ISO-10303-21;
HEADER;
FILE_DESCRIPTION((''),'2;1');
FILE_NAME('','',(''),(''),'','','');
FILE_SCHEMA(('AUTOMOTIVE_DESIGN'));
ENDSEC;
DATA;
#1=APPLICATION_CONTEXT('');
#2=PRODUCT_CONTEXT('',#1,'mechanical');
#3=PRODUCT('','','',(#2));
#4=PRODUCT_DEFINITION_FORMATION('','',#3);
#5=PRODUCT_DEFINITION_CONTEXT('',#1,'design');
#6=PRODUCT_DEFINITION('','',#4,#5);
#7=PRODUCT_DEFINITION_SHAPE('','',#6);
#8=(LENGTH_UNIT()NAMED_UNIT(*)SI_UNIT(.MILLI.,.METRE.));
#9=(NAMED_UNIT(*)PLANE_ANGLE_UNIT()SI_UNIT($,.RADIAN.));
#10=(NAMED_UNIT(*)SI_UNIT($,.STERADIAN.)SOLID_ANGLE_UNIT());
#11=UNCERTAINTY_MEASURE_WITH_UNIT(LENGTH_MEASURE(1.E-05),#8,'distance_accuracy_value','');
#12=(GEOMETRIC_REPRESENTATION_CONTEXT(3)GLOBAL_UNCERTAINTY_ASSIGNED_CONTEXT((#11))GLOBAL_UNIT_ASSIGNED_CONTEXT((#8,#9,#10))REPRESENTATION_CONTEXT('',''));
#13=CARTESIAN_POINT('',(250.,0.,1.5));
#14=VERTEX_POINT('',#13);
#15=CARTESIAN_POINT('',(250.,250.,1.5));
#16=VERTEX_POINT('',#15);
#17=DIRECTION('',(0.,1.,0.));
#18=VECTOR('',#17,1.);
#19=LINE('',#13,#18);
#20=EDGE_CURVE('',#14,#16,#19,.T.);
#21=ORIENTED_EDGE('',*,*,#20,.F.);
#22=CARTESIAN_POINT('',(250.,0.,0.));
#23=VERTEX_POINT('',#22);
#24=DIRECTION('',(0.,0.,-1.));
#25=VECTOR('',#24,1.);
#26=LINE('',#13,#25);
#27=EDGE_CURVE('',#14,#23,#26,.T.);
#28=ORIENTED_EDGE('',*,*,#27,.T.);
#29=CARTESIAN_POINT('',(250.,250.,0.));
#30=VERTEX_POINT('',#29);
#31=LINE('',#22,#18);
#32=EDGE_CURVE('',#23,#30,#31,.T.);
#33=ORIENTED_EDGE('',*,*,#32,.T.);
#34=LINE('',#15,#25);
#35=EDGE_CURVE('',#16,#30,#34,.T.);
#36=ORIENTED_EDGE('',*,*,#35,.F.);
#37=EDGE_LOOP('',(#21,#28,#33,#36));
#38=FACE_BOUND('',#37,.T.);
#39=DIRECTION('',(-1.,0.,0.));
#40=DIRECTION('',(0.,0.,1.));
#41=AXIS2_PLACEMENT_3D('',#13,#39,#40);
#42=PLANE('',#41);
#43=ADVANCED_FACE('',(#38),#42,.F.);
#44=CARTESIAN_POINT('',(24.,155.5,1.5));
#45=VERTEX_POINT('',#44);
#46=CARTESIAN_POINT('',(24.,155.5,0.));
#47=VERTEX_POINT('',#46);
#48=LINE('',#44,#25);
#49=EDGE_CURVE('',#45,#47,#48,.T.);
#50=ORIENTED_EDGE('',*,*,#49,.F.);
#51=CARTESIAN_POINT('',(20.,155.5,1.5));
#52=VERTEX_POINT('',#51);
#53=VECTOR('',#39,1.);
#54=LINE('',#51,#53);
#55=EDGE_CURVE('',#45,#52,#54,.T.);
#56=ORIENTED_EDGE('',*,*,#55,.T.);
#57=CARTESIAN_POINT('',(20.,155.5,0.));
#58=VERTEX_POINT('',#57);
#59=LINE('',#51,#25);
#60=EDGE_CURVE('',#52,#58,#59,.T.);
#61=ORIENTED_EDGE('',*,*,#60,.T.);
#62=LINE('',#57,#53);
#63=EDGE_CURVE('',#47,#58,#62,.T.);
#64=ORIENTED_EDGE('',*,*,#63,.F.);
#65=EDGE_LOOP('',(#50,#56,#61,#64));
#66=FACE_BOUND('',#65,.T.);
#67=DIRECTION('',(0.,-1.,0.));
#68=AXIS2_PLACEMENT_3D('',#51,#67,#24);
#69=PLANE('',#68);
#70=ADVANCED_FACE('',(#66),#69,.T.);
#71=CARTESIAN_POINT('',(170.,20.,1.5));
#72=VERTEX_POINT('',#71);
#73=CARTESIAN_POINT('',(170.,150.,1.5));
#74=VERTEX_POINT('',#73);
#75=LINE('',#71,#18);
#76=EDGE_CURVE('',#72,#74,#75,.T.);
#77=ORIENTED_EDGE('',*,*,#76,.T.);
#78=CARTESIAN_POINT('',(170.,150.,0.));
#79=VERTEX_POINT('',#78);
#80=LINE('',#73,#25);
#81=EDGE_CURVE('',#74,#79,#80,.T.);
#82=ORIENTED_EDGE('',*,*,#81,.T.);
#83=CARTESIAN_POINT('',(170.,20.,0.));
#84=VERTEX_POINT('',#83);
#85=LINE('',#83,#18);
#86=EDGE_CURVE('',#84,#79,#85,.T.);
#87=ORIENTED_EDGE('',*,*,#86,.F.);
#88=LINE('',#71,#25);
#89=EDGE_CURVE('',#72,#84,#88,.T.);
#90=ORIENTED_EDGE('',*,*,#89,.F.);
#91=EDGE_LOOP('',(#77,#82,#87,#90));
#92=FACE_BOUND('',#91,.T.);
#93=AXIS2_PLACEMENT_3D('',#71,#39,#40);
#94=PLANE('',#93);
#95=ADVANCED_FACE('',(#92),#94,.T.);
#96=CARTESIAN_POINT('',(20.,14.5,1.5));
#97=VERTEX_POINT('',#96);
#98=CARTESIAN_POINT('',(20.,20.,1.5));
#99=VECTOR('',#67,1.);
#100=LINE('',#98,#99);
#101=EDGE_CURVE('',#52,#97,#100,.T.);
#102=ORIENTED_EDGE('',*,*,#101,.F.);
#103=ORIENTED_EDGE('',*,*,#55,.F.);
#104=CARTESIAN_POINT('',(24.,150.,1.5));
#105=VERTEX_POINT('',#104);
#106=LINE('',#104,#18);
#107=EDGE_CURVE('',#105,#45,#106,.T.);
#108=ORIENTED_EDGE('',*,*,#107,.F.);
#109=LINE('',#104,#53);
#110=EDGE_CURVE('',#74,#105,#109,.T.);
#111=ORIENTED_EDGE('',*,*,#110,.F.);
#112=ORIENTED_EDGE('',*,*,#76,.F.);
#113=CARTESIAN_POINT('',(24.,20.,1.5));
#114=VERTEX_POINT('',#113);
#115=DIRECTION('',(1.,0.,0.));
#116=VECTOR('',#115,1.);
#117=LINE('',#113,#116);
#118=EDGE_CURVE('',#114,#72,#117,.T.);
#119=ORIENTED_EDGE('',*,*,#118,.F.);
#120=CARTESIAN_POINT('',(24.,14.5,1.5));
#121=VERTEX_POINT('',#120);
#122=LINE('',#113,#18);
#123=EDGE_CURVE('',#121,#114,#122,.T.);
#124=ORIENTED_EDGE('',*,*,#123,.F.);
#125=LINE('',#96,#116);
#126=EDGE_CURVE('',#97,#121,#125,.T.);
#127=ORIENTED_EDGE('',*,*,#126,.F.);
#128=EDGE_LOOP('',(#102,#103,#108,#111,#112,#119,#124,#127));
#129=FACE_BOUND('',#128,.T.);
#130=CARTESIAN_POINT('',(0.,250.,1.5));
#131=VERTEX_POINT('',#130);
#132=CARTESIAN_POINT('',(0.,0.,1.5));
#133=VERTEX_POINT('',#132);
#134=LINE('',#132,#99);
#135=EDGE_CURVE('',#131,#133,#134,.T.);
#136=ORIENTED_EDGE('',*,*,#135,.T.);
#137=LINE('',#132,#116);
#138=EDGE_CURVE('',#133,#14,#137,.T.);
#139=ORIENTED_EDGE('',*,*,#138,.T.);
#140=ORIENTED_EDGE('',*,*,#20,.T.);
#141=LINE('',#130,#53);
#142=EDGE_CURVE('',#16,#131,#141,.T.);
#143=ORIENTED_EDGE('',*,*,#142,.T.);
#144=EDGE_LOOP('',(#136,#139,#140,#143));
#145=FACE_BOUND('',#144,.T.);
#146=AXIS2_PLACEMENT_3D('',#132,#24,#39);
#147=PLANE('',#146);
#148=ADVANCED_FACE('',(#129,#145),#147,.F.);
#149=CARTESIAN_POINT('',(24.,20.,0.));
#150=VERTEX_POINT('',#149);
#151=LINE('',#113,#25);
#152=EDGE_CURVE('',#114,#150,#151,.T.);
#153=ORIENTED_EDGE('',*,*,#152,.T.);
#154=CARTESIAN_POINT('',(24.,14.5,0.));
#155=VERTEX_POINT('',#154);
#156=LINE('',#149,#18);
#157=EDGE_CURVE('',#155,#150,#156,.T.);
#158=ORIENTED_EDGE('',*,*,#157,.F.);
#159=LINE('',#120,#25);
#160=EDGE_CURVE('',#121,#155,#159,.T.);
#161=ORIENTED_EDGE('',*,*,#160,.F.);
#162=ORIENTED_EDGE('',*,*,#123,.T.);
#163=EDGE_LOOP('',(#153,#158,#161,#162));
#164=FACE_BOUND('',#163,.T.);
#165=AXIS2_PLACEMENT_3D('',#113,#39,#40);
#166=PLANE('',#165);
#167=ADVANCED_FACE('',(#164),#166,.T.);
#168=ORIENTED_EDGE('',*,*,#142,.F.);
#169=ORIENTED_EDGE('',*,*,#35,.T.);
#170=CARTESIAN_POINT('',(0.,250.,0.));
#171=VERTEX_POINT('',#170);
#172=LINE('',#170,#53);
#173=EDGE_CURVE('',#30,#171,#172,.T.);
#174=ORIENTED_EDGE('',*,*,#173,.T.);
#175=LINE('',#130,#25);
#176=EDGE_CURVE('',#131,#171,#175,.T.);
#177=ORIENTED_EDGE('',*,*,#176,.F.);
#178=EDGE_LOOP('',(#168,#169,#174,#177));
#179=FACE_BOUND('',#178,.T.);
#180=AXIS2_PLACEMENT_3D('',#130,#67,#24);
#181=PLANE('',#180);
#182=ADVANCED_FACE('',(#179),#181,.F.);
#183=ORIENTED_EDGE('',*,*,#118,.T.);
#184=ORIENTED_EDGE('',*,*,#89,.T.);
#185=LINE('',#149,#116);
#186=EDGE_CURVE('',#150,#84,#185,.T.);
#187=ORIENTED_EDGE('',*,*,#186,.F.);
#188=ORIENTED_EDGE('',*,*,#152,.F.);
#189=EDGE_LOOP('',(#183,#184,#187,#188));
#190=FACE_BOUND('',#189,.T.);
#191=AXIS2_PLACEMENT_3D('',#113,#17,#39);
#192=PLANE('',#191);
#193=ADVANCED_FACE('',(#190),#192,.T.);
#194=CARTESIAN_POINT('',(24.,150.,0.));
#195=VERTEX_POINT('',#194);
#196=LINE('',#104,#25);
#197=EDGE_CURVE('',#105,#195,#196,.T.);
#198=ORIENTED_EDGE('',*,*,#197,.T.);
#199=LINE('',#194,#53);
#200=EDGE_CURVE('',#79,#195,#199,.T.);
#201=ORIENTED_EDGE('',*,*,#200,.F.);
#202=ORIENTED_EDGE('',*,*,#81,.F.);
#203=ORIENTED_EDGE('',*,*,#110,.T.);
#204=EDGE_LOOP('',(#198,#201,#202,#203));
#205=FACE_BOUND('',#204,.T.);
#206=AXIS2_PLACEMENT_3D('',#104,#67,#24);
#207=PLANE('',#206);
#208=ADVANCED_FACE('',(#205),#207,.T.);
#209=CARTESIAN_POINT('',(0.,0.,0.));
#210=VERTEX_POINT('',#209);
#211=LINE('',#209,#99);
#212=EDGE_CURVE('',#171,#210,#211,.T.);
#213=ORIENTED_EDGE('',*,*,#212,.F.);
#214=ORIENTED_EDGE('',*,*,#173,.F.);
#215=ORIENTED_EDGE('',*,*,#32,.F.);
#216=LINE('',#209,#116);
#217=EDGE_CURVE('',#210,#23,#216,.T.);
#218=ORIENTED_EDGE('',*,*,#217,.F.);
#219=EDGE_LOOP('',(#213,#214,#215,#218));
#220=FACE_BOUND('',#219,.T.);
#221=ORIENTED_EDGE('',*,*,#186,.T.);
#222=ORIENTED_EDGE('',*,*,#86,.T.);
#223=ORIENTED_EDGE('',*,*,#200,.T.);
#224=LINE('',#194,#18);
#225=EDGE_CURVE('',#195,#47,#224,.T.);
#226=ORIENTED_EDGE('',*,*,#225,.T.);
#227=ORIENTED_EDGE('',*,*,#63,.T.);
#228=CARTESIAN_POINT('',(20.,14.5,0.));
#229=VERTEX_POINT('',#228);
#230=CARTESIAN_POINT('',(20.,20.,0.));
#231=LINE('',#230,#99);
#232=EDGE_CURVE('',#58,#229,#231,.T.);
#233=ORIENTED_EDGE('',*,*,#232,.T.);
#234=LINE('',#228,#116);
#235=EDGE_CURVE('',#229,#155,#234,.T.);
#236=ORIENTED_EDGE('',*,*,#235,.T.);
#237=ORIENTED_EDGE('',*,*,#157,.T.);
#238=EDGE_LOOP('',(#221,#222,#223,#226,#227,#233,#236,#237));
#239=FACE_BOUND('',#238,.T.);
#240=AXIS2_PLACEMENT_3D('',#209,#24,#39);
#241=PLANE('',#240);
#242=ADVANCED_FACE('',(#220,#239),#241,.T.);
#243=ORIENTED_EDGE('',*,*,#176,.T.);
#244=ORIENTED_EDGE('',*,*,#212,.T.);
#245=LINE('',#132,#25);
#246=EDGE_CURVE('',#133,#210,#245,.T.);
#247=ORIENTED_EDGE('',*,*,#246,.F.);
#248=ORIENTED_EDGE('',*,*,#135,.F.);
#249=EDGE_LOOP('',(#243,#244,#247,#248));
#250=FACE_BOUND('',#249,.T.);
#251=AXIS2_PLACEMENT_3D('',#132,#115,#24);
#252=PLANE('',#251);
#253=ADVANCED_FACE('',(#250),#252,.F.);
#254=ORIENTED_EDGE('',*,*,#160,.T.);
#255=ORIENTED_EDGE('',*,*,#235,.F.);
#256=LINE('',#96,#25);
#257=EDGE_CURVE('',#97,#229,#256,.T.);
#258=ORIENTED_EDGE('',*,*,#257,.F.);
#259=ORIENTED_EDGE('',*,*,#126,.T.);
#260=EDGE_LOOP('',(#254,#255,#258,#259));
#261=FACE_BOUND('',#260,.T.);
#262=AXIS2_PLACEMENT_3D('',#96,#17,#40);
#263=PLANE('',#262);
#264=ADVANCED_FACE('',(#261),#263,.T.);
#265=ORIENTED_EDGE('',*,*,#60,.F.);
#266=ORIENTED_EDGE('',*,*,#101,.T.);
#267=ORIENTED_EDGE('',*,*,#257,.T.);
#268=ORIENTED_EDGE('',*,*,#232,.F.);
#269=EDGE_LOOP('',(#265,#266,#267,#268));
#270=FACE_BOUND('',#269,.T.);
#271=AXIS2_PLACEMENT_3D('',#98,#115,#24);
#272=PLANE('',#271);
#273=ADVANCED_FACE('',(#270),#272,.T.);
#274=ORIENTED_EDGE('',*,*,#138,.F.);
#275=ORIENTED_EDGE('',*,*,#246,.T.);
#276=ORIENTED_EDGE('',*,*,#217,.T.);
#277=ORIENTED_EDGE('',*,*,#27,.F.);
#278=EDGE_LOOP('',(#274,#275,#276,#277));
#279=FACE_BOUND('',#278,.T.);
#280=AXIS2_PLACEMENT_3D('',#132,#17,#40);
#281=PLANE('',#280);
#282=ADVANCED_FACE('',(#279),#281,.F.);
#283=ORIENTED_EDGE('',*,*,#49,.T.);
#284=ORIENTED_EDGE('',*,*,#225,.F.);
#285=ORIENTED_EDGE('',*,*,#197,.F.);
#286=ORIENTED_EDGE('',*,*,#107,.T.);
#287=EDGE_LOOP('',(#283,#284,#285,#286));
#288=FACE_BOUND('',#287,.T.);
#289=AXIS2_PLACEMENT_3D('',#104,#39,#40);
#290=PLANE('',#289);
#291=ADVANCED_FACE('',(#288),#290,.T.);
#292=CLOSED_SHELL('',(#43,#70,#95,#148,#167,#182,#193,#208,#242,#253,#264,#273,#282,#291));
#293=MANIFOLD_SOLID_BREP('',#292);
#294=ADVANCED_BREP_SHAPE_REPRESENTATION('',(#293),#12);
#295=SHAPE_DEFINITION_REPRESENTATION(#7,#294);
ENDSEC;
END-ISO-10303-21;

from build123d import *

# Parameters (mm, degrees)
ESQUISSE1_W        = 250
ESQUISSE1_H        = 250
BOSS_EXTRU_1_DEPTH = 1.5


with BuildPart() as part:
    # Esquisse1 → Boss.-Extru.1 (new body)
    with BuildSketch(Plane.XY):
        with Locations((125, 125)):
            Rectangle(ESQUISSE1_W, ESQUISSE1_H)
        Polygon((24, 20), (170, 20), (170, 150), (24, 150), (24, 155.5), (20, 155.5), (20, 150), (20, 20), (20, 14.5), (24, 14.5), align=None, mode=Mode.SUBTRACT)
    extrude(amount=BOSS_EXTRU_1_DEPTH)


solid = part.part
